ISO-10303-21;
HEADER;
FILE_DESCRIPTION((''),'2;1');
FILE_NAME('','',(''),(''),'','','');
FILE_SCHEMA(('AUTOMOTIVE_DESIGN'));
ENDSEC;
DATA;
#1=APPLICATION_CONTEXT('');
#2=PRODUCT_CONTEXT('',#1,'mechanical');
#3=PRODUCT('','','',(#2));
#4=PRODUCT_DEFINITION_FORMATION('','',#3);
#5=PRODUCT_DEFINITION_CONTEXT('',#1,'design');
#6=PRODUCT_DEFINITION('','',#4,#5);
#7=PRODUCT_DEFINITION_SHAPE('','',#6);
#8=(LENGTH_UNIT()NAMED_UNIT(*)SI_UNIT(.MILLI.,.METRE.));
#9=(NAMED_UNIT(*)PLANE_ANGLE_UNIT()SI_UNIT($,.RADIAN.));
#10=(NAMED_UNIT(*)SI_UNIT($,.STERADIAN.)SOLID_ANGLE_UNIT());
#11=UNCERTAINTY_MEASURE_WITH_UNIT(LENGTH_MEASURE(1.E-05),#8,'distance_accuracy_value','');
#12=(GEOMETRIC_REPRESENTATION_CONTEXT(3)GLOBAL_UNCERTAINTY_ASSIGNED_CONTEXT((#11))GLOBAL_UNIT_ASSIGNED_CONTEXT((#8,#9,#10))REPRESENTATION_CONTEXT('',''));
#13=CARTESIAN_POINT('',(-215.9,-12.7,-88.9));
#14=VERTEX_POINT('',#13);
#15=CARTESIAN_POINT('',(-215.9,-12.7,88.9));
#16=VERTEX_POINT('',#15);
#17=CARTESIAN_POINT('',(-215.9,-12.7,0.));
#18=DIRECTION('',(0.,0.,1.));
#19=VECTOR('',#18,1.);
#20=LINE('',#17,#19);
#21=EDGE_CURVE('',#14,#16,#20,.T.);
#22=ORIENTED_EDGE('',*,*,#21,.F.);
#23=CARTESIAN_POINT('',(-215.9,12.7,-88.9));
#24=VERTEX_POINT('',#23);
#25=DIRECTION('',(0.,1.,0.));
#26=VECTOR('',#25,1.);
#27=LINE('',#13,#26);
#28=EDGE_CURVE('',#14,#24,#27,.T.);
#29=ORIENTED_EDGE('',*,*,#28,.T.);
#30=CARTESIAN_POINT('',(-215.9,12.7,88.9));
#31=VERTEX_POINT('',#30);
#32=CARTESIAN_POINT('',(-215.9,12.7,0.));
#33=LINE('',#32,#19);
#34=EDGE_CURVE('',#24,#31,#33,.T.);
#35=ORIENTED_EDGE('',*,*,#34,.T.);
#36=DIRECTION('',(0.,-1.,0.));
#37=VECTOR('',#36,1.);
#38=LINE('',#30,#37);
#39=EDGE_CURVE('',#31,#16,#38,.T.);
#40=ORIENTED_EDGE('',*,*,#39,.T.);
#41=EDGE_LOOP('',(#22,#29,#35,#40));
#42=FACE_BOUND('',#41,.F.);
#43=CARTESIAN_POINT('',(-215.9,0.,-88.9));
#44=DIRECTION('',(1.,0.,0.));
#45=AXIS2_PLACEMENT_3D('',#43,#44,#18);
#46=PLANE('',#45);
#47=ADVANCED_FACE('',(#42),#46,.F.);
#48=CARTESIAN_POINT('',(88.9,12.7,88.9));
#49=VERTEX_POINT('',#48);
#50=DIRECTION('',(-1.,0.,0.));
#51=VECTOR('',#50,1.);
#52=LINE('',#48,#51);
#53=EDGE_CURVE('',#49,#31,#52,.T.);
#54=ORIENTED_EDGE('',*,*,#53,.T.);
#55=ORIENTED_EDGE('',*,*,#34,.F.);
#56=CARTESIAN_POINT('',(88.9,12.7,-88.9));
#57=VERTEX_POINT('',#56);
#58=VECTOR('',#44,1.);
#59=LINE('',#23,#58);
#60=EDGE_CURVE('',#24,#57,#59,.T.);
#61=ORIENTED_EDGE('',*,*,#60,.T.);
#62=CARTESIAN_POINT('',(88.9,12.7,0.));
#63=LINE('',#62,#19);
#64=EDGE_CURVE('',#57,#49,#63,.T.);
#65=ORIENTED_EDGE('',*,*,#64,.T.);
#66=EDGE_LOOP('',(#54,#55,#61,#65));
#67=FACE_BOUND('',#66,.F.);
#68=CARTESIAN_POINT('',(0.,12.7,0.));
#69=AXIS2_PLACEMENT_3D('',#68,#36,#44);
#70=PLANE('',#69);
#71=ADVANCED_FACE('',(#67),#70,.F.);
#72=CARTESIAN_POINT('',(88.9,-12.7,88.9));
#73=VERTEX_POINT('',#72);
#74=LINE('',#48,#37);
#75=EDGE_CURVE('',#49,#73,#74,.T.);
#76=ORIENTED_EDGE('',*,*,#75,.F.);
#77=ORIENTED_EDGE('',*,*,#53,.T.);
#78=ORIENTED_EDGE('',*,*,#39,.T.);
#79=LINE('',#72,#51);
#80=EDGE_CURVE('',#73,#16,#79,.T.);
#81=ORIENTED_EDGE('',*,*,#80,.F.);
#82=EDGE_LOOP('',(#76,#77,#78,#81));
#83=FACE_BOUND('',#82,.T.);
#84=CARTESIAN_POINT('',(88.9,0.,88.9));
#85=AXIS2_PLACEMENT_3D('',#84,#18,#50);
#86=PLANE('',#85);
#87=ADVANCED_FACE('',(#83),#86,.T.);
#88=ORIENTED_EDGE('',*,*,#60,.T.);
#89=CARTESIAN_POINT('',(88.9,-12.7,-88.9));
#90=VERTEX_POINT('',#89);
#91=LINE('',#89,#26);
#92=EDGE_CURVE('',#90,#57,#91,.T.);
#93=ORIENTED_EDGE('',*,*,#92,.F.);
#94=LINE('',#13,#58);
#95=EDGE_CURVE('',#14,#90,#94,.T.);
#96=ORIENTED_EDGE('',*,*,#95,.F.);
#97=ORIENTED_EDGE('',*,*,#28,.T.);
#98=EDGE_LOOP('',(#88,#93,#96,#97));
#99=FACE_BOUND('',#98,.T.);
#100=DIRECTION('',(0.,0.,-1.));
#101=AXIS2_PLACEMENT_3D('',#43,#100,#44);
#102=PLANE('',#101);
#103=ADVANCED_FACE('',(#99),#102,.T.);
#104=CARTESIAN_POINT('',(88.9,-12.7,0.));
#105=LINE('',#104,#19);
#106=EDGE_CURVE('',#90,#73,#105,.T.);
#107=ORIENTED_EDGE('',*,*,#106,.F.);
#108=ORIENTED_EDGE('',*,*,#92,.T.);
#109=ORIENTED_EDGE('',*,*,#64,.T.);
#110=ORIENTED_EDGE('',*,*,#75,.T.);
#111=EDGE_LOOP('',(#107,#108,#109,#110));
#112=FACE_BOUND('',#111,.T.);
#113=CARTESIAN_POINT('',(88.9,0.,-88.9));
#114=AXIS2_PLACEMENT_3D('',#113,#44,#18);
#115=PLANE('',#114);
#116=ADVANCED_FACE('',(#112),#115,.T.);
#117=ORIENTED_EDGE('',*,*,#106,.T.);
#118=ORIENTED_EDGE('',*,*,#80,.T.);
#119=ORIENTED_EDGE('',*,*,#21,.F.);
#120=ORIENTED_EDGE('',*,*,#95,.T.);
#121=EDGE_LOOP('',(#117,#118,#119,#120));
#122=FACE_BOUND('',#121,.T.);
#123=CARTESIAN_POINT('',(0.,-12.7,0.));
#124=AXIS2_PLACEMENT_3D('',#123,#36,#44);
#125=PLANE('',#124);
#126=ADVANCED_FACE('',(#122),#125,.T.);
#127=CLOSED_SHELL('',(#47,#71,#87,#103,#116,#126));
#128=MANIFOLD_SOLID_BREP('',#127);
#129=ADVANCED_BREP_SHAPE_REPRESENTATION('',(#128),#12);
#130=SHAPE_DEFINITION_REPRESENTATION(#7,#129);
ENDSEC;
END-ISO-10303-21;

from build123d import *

# Parameters (mm, degrees)
F0_W     = 177.8
F0_H     = 177.8
F0_W_2   = 127
F1_DEPTH = 12.7


with BuildPart() as f1:
    # F0 (on Front) → F1 (new body, symmetric)
    with BuildSketch(Plane.XZ):
        Rectangle(F0_W, F0_H)
        with Locations((-152.4, 0)):
            Rectangle(F0_W_2, F0_H)
    extrude(amount=F1_DEPTH, both=True)


solid = f1.part
